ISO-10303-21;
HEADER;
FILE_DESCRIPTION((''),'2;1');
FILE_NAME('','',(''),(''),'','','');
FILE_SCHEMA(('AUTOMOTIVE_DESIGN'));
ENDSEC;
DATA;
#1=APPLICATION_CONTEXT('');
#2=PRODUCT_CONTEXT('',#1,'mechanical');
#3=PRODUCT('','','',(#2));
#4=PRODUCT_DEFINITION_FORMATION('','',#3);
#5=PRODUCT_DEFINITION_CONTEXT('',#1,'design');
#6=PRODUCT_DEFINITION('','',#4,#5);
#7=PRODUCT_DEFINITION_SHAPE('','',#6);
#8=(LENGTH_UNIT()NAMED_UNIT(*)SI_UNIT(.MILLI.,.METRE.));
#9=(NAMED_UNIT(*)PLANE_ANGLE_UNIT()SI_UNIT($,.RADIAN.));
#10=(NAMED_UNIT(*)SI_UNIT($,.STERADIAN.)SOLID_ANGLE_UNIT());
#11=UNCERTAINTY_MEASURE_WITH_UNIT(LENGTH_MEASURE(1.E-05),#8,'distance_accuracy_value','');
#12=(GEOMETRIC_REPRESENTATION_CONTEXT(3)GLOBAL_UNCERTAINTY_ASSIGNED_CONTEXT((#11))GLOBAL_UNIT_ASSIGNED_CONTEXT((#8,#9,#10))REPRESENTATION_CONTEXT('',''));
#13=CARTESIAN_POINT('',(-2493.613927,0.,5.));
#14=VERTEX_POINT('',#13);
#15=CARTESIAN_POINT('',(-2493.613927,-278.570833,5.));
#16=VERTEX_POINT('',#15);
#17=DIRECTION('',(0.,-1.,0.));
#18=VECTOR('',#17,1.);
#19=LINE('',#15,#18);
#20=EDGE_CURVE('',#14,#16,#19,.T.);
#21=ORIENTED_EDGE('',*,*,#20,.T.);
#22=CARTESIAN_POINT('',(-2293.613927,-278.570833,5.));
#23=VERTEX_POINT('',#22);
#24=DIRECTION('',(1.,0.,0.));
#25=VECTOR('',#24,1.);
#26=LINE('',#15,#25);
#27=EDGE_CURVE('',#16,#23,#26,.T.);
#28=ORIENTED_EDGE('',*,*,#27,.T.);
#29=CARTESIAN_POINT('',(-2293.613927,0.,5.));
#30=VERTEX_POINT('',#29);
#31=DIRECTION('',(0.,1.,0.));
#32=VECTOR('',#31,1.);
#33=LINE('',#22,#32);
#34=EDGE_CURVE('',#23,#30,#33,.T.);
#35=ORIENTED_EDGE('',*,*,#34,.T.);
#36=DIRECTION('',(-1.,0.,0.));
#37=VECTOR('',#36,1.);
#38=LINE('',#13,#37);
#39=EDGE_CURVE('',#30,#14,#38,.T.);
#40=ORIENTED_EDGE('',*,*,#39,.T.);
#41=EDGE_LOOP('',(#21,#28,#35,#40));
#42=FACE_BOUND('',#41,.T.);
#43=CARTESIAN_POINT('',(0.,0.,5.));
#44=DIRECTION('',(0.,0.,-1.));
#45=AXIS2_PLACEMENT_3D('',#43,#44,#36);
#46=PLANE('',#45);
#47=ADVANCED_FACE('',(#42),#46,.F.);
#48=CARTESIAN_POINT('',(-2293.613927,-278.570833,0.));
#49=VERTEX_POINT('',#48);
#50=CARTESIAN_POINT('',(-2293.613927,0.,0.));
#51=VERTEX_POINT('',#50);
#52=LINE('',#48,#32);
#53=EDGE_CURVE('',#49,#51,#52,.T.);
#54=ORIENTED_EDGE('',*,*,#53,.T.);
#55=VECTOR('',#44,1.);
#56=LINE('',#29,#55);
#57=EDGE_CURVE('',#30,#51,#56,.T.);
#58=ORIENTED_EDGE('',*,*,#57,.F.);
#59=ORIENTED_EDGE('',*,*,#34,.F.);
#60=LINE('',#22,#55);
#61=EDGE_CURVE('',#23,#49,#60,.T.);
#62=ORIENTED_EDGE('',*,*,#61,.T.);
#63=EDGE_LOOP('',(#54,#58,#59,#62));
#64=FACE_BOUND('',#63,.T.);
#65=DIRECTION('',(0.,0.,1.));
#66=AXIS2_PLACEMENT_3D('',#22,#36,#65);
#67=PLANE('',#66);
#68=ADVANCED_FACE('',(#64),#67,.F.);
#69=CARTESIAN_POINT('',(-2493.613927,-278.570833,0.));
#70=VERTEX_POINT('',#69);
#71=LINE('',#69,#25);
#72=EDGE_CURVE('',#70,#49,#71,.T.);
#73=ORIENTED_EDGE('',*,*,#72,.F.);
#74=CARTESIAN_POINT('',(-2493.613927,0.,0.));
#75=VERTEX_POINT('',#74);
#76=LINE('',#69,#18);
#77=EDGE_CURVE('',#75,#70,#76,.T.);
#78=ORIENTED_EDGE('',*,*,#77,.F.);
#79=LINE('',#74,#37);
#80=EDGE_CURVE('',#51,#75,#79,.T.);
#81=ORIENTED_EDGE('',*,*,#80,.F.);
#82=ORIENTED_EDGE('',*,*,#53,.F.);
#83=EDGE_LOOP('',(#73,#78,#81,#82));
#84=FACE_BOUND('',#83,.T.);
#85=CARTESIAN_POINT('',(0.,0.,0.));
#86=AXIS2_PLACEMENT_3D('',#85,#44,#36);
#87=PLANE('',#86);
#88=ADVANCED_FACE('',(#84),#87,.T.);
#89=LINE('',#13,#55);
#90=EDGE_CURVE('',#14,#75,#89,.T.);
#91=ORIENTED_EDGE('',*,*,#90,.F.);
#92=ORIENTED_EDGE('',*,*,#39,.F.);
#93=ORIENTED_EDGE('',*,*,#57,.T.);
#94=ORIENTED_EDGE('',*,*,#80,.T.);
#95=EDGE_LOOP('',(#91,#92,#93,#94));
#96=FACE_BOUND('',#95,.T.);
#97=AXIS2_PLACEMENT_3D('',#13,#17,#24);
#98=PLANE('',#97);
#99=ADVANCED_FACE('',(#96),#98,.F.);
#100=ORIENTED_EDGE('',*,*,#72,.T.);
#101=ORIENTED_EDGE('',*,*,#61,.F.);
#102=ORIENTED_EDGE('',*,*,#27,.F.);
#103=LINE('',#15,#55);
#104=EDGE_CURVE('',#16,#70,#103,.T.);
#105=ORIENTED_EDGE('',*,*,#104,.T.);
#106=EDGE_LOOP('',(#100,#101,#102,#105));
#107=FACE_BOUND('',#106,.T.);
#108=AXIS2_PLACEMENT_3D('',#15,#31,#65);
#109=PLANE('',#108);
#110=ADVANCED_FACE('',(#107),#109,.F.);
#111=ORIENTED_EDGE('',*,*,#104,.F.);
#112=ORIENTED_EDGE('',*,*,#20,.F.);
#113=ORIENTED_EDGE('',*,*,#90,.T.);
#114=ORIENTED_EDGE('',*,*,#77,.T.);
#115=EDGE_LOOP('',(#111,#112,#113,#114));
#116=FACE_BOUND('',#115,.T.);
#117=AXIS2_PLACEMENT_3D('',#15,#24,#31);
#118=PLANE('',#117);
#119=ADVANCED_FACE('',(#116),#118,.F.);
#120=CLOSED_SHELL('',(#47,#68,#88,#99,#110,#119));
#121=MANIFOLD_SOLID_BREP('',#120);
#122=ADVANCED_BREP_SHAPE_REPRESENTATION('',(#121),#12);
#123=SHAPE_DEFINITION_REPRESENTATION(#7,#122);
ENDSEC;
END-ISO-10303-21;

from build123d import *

# Parameters (mm, degrees)
SKETCH_1_W      = 200
SKETCH_1_H      = 278.570832902
EXTRUDE_1_DEPTH = 5


with BuildPart() as part:
    # 스케치1 → 보스-돌출1 (new body)
    with BuildSketch(Plane.XY):
        with Locations((-2393.613927197, -139.285416451)):
            Rectangle(SKETCH_1_W, SKETCH_1_H)
    extrude(amount=EXTRUDE_1_DEPTH)


solid = part.part
